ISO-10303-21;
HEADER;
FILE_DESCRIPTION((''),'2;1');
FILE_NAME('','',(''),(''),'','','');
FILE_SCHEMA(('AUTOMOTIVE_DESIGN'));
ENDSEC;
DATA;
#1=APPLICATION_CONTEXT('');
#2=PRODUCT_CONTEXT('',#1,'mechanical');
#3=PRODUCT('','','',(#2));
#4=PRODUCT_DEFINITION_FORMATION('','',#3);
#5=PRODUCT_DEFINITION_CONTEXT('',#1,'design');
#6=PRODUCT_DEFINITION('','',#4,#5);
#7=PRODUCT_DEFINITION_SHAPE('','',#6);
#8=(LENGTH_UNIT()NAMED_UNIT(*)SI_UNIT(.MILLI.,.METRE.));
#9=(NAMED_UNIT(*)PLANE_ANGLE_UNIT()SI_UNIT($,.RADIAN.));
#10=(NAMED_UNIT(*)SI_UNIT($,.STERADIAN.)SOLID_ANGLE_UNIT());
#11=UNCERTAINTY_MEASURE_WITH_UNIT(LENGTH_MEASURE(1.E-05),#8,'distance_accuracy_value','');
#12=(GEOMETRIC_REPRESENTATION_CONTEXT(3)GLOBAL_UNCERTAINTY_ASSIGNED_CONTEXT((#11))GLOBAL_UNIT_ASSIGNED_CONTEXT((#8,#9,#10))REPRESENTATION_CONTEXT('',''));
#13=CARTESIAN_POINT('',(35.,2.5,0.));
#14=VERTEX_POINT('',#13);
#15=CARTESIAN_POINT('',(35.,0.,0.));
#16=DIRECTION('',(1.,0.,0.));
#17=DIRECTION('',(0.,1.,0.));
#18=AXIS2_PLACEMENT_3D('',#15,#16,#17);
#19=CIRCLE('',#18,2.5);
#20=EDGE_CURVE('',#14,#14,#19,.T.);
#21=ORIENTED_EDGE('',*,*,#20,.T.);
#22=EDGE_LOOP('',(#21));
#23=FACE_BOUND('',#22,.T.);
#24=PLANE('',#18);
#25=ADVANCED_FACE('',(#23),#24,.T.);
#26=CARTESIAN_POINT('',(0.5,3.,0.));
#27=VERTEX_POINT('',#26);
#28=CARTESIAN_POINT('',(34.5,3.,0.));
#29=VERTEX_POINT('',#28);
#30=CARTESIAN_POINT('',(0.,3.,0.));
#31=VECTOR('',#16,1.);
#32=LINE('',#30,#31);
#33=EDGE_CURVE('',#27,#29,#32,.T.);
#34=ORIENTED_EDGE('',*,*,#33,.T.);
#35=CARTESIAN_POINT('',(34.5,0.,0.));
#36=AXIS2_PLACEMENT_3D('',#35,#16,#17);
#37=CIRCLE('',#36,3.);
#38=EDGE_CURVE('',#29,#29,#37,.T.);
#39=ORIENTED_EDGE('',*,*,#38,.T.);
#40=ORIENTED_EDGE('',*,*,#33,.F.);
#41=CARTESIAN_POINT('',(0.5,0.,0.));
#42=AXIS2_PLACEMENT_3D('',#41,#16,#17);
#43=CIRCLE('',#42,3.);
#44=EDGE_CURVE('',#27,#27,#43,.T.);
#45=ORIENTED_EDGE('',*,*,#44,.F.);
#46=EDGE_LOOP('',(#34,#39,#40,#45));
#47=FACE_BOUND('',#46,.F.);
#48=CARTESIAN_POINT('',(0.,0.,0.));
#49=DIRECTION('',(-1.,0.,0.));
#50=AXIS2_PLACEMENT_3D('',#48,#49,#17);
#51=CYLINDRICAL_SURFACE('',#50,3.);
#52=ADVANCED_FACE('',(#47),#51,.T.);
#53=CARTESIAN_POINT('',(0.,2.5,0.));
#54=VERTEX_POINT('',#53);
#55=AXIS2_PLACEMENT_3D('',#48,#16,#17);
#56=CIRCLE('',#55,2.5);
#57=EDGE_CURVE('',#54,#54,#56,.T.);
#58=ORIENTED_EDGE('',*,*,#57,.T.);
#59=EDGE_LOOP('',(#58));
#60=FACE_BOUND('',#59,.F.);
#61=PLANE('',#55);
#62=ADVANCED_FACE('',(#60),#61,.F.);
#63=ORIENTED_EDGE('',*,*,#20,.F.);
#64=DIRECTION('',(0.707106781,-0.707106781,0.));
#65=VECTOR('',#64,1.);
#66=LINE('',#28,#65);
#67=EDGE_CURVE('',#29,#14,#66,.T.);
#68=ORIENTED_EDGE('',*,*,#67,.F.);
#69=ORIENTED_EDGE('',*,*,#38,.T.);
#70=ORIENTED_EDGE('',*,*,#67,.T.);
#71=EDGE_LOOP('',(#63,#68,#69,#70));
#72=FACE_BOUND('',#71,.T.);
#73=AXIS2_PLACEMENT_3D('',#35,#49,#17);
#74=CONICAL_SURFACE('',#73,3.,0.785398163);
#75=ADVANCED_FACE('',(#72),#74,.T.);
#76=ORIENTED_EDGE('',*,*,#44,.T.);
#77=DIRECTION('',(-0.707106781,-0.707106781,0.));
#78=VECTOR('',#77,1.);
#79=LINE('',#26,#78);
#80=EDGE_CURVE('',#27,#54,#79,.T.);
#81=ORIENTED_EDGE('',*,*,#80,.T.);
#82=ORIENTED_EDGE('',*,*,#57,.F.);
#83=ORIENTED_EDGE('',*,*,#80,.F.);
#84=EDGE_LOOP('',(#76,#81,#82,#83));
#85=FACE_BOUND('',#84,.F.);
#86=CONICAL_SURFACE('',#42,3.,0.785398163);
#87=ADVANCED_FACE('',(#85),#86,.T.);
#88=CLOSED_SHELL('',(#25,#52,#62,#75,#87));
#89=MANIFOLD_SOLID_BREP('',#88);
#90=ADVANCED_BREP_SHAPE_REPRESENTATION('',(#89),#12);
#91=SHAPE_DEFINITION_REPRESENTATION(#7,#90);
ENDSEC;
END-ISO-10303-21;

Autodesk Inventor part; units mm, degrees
ref_plane "YZ Plane" through (0, 0, 0) normal (1, 0, 0) x (0, 1, 0)
ref_plane "XZ Plane" through (0, 0, 0) normal (0, 1, 0) x (-1, 0, 0)
ref_plane "XY Plane" through (0, 0, 0) normal (0, 0, 1) x (1, 0, 0)
sketch "Sketch1" plane through (0, 0, 0) normal (1, 0, 0) x (0, 1, 0)
  circle A0 centre (0, 0) radius 3
  dimension "d0" = 6
extrude "Extrusion1" add sketch "Sketch1" along normal blind 35
chamfer "Chamfer1" distance 0.5 angle 45 2 edges at (0, -3, 0) (35, -3, 0)
properties part number "eje" material "Stainless Steel"
